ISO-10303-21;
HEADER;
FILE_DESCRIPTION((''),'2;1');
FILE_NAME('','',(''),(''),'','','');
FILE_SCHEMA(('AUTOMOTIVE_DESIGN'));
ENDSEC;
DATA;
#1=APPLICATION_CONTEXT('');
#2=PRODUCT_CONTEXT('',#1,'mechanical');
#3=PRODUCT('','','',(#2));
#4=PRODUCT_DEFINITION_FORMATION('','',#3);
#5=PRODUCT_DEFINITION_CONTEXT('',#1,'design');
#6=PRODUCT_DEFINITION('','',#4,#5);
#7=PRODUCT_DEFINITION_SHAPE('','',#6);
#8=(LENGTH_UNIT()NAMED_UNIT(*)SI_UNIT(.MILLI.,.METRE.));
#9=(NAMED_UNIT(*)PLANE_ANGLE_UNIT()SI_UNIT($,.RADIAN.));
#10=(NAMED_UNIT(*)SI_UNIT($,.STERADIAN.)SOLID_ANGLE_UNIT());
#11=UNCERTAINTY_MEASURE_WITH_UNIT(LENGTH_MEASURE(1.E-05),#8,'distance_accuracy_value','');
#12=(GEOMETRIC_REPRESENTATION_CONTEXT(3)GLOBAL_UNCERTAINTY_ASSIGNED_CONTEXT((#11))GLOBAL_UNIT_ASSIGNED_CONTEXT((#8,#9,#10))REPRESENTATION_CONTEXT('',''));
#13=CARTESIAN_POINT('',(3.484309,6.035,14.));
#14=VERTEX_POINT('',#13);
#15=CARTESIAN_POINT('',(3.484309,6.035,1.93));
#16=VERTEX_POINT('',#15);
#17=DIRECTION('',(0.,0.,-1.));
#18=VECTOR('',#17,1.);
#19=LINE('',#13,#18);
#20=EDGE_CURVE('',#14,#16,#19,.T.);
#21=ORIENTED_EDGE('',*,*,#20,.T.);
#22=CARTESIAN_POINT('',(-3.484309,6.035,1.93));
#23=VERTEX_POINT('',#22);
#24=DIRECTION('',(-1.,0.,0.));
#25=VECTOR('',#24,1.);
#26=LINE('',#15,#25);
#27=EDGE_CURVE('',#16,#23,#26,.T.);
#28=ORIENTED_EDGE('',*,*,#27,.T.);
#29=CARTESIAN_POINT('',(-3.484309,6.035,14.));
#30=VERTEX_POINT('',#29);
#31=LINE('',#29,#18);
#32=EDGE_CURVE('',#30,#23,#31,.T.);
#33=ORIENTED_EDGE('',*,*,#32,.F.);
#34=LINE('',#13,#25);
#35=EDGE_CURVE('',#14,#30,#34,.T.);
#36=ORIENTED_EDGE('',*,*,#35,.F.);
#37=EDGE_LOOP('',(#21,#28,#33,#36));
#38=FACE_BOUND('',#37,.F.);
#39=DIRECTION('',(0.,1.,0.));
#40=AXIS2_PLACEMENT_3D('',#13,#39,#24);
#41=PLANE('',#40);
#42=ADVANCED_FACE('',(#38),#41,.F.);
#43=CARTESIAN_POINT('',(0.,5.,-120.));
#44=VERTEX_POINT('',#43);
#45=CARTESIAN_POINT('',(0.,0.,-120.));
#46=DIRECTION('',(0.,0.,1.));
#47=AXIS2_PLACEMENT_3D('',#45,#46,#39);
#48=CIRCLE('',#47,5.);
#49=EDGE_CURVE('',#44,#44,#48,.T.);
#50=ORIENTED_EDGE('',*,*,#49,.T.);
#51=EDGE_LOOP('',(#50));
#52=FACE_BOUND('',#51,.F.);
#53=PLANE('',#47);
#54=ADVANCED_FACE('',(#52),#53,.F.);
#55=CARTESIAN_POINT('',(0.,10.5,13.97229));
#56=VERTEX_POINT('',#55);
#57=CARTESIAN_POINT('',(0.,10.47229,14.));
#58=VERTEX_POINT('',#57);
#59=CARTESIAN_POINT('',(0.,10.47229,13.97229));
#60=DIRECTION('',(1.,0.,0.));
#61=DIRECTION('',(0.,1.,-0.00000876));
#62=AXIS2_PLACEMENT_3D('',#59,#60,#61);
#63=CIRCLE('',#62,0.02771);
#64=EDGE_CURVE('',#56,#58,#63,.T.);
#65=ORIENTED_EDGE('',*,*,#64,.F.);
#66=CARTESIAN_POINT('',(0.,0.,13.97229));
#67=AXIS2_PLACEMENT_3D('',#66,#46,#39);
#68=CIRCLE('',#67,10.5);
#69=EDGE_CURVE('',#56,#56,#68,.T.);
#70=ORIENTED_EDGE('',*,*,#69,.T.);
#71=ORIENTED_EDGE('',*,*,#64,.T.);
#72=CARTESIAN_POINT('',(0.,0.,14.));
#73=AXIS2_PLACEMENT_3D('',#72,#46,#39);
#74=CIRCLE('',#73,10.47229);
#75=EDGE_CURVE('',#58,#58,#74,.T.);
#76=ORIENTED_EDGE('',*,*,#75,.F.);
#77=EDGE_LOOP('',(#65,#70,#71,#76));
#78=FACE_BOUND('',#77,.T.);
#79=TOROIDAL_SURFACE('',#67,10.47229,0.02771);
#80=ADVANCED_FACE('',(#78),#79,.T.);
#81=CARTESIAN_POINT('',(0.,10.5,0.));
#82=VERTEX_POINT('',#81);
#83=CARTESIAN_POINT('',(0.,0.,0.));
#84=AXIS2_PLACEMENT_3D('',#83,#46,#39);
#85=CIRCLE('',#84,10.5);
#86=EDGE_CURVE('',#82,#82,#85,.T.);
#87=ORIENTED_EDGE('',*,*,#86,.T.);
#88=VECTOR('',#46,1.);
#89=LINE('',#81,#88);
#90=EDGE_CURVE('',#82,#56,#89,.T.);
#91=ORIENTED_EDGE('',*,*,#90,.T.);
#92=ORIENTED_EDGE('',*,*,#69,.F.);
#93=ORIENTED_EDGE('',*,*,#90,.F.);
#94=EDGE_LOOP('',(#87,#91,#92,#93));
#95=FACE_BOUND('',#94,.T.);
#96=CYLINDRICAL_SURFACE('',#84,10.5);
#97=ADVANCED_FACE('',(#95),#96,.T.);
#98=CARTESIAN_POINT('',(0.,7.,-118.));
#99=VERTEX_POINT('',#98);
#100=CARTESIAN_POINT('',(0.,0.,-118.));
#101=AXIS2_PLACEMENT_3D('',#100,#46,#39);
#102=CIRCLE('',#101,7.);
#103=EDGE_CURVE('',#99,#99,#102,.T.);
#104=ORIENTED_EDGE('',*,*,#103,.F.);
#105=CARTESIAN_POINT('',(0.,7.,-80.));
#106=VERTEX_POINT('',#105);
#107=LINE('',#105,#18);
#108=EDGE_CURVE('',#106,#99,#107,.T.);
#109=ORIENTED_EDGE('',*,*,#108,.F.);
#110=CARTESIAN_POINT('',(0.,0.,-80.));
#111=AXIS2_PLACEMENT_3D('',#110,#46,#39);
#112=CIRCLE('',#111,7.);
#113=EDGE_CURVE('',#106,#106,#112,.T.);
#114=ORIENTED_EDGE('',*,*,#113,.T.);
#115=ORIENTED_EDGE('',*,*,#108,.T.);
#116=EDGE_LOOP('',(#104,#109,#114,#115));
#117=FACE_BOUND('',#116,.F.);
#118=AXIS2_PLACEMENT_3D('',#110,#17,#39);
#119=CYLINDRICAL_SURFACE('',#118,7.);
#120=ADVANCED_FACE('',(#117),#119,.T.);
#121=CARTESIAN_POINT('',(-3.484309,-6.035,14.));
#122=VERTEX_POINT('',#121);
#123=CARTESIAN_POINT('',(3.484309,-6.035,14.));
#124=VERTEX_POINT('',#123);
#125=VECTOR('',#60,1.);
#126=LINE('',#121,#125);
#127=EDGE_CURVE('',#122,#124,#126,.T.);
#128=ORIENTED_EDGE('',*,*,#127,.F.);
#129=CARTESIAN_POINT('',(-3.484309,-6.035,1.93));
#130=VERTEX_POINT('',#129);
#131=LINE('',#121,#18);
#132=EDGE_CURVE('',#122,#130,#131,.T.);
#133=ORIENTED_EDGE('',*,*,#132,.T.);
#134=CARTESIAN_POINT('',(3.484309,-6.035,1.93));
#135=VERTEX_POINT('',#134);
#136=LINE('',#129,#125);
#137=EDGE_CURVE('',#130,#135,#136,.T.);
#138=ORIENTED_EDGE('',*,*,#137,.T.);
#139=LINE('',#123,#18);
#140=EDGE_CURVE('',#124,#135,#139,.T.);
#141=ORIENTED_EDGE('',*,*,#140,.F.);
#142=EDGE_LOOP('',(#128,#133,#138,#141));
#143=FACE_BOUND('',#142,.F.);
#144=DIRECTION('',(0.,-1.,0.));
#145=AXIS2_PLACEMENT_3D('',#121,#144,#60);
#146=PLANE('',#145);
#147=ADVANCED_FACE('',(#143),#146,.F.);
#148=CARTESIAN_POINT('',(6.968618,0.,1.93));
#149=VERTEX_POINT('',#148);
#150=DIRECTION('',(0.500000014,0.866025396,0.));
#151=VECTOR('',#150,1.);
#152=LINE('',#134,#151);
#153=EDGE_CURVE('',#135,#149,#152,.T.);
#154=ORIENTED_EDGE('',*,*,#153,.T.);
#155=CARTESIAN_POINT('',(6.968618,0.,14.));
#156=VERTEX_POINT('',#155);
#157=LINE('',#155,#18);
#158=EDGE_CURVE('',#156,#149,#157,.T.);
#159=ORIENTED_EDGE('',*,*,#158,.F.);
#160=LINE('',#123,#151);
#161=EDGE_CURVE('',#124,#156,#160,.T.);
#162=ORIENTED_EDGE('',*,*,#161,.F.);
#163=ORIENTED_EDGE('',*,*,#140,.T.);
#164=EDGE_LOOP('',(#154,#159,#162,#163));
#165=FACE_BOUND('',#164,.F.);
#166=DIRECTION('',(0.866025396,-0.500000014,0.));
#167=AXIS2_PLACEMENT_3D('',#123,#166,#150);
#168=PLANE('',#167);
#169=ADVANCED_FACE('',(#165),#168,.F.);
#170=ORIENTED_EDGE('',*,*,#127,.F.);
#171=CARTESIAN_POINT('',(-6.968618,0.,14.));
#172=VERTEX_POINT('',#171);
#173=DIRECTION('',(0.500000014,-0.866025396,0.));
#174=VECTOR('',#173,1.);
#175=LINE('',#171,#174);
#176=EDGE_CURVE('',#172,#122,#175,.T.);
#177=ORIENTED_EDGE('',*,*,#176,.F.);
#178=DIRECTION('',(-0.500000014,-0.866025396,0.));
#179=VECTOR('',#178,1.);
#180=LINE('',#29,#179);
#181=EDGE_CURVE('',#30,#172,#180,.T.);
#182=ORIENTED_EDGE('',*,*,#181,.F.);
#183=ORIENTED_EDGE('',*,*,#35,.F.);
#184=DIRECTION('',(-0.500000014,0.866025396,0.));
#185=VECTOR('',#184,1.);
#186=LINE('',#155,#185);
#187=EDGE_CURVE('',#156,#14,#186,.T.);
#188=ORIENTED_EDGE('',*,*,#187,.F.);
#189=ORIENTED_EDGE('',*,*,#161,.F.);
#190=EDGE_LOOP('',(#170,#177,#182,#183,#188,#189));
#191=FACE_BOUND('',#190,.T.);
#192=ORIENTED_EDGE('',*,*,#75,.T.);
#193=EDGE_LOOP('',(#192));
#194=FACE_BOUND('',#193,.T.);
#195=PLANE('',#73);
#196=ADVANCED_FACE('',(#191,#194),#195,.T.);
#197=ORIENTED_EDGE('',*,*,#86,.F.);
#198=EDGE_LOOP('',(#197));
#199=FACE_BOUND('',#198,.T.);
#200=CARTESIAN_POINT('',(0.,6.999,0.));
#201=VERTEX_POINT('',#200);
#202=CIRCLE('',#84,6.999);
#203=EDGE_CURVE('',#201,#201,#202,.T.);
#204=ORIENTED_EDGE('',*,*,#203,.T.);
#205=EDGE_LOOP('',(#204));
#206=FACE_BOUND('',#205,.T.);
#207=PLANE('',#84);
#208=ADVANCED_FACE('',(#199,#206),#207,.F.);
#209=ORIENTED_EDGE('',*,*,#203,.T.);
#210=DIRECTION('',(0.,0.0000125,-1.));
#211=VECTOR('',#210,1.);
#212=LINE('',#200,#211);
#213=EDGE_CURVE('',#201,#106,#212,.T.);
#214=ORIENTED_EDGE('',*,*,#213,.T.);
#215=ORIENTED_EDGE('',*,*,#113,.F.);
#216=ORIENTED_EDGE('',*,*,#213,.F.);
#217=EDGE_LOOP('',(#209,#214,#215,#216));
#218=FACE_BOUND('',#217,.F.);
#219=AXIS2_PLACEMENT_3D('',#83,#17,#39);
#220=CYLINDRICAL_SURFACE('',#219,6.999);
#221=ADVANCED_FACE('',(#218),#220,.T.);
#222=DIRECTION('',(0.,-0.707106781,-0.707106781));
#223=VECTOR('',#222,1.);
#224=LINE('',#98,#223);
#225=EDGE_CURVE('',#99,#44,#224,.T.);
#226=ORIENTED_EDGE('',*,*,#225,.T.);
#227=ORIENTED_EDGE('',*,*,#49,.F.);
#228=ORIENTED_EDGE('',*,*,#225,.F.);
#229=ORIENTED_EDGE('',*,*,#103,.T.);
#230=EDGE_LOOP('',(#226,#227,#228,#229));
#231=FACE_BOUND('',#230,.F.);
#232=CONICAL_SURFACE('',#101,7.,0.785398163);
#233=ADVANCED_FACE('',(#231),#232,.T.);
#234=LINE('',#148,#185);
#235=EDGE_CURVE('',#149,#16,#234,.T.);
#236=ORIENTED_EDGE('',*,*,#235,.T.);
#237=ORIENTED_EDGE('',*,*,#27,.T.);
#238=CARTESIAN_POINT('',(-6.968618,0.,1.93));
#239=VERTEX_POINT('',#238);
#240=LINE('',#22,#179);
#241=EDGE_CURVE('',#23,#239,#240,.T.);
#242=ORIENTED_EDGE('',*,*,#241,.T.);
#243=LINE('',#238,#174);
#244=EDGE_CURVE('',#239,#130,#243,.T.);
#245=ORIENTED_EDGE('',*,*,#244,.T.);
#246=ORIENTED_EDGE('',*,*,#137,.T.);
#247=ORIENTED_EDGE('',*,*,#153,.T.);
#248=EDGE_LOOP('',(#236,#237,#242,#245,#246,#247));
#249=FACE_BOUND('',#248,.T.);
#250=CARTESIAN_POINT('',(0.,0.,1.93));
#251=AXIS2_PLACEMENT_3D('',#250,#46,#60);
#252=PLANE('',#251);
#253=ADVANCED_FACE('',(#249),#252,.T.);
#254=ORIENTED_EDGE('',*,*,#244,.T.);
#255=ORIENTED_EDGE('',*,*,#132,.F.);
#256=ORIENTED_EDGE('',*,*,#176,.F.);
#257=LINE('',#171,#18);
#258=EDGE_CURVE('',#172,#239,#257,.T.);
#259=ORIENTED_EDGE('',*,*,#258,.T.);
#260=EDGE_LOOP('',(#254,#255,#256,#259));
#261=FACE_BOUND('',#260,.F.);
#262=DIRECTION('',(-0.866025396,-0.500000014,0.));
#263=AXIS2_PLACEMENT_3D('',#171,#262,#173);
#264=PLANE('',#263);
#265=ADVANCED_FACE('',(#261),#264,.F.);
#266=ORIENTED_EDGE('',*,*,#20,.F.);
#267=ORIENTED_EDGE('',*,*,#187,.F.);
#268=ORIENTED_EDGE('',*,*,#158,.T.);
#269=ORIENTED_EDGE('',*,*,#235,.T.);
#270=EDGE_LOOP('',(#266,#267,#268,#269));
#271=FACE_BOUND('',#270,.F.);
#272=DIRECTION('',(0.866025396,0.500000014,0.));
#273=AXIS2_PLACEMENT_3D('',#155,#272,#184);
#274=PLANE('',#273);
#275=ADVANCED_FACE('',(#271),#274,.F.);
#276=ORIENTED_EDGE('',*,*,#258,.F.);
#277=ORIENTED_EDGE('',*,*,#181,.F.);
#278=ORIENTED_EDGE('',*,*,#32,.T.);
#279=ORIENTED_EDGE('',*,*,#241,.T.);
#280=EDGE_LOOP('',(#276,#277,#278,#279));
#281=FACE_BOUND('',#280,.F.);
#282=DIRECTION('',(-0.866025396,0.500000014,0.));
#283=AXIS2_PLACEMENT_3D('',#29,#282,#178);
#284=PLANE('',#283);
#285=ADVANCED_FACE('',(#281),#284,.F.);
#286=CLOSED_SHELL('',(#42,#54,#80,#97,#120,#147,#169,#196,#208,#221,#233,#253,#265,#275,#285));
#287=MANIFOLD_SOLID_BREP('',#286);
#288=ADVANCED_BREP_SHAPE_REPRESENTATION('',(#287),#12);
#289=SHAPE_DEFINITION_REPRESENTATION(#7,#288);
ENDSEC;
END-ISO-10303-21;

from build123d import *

# Parameters (mm, degrees)
POCKET_DEPTH = 12.07


with BuildPart() as part:
    # Sketch → Revolve (revolve)
    with BuildSketch(Plane.YZ):
        with BuildLine():
            Line((6.999, 0), (10.5, 0))
            Line((10.5, 0), (10.5, 13.97229))
            ThreePointArc((10.5, 13.97229), (10.491884, 13.991884), (10.47229, 14))
            Line((10.47229, 14), (0, 14))
            Line((0, -120), (0, 14))
            Line((5, -120), (0, -120))
            Line((7, -118), (5, -120))
            Line((7, -80), (7, -118))
            Line((6.999, 0), (7, -80))
        make_face()
    revolve(axis=Axis((0, 0, 0), (0, 0, 1)))

    # Sketch001 → Pocket (cut)
    with BuildSketch(Plane.XY.offset(14)):
        Polygon((6.968618, 0), (3.484309, 6.035), (-3.484309, 6.035), (-6.968618, 0), (-3.484309, -6.035), (3.484309, -6.035), align=None)
    extrude(amount=-POCKET_DEPTH, mode=Mode.SUBTRACT)


solid = part.part
